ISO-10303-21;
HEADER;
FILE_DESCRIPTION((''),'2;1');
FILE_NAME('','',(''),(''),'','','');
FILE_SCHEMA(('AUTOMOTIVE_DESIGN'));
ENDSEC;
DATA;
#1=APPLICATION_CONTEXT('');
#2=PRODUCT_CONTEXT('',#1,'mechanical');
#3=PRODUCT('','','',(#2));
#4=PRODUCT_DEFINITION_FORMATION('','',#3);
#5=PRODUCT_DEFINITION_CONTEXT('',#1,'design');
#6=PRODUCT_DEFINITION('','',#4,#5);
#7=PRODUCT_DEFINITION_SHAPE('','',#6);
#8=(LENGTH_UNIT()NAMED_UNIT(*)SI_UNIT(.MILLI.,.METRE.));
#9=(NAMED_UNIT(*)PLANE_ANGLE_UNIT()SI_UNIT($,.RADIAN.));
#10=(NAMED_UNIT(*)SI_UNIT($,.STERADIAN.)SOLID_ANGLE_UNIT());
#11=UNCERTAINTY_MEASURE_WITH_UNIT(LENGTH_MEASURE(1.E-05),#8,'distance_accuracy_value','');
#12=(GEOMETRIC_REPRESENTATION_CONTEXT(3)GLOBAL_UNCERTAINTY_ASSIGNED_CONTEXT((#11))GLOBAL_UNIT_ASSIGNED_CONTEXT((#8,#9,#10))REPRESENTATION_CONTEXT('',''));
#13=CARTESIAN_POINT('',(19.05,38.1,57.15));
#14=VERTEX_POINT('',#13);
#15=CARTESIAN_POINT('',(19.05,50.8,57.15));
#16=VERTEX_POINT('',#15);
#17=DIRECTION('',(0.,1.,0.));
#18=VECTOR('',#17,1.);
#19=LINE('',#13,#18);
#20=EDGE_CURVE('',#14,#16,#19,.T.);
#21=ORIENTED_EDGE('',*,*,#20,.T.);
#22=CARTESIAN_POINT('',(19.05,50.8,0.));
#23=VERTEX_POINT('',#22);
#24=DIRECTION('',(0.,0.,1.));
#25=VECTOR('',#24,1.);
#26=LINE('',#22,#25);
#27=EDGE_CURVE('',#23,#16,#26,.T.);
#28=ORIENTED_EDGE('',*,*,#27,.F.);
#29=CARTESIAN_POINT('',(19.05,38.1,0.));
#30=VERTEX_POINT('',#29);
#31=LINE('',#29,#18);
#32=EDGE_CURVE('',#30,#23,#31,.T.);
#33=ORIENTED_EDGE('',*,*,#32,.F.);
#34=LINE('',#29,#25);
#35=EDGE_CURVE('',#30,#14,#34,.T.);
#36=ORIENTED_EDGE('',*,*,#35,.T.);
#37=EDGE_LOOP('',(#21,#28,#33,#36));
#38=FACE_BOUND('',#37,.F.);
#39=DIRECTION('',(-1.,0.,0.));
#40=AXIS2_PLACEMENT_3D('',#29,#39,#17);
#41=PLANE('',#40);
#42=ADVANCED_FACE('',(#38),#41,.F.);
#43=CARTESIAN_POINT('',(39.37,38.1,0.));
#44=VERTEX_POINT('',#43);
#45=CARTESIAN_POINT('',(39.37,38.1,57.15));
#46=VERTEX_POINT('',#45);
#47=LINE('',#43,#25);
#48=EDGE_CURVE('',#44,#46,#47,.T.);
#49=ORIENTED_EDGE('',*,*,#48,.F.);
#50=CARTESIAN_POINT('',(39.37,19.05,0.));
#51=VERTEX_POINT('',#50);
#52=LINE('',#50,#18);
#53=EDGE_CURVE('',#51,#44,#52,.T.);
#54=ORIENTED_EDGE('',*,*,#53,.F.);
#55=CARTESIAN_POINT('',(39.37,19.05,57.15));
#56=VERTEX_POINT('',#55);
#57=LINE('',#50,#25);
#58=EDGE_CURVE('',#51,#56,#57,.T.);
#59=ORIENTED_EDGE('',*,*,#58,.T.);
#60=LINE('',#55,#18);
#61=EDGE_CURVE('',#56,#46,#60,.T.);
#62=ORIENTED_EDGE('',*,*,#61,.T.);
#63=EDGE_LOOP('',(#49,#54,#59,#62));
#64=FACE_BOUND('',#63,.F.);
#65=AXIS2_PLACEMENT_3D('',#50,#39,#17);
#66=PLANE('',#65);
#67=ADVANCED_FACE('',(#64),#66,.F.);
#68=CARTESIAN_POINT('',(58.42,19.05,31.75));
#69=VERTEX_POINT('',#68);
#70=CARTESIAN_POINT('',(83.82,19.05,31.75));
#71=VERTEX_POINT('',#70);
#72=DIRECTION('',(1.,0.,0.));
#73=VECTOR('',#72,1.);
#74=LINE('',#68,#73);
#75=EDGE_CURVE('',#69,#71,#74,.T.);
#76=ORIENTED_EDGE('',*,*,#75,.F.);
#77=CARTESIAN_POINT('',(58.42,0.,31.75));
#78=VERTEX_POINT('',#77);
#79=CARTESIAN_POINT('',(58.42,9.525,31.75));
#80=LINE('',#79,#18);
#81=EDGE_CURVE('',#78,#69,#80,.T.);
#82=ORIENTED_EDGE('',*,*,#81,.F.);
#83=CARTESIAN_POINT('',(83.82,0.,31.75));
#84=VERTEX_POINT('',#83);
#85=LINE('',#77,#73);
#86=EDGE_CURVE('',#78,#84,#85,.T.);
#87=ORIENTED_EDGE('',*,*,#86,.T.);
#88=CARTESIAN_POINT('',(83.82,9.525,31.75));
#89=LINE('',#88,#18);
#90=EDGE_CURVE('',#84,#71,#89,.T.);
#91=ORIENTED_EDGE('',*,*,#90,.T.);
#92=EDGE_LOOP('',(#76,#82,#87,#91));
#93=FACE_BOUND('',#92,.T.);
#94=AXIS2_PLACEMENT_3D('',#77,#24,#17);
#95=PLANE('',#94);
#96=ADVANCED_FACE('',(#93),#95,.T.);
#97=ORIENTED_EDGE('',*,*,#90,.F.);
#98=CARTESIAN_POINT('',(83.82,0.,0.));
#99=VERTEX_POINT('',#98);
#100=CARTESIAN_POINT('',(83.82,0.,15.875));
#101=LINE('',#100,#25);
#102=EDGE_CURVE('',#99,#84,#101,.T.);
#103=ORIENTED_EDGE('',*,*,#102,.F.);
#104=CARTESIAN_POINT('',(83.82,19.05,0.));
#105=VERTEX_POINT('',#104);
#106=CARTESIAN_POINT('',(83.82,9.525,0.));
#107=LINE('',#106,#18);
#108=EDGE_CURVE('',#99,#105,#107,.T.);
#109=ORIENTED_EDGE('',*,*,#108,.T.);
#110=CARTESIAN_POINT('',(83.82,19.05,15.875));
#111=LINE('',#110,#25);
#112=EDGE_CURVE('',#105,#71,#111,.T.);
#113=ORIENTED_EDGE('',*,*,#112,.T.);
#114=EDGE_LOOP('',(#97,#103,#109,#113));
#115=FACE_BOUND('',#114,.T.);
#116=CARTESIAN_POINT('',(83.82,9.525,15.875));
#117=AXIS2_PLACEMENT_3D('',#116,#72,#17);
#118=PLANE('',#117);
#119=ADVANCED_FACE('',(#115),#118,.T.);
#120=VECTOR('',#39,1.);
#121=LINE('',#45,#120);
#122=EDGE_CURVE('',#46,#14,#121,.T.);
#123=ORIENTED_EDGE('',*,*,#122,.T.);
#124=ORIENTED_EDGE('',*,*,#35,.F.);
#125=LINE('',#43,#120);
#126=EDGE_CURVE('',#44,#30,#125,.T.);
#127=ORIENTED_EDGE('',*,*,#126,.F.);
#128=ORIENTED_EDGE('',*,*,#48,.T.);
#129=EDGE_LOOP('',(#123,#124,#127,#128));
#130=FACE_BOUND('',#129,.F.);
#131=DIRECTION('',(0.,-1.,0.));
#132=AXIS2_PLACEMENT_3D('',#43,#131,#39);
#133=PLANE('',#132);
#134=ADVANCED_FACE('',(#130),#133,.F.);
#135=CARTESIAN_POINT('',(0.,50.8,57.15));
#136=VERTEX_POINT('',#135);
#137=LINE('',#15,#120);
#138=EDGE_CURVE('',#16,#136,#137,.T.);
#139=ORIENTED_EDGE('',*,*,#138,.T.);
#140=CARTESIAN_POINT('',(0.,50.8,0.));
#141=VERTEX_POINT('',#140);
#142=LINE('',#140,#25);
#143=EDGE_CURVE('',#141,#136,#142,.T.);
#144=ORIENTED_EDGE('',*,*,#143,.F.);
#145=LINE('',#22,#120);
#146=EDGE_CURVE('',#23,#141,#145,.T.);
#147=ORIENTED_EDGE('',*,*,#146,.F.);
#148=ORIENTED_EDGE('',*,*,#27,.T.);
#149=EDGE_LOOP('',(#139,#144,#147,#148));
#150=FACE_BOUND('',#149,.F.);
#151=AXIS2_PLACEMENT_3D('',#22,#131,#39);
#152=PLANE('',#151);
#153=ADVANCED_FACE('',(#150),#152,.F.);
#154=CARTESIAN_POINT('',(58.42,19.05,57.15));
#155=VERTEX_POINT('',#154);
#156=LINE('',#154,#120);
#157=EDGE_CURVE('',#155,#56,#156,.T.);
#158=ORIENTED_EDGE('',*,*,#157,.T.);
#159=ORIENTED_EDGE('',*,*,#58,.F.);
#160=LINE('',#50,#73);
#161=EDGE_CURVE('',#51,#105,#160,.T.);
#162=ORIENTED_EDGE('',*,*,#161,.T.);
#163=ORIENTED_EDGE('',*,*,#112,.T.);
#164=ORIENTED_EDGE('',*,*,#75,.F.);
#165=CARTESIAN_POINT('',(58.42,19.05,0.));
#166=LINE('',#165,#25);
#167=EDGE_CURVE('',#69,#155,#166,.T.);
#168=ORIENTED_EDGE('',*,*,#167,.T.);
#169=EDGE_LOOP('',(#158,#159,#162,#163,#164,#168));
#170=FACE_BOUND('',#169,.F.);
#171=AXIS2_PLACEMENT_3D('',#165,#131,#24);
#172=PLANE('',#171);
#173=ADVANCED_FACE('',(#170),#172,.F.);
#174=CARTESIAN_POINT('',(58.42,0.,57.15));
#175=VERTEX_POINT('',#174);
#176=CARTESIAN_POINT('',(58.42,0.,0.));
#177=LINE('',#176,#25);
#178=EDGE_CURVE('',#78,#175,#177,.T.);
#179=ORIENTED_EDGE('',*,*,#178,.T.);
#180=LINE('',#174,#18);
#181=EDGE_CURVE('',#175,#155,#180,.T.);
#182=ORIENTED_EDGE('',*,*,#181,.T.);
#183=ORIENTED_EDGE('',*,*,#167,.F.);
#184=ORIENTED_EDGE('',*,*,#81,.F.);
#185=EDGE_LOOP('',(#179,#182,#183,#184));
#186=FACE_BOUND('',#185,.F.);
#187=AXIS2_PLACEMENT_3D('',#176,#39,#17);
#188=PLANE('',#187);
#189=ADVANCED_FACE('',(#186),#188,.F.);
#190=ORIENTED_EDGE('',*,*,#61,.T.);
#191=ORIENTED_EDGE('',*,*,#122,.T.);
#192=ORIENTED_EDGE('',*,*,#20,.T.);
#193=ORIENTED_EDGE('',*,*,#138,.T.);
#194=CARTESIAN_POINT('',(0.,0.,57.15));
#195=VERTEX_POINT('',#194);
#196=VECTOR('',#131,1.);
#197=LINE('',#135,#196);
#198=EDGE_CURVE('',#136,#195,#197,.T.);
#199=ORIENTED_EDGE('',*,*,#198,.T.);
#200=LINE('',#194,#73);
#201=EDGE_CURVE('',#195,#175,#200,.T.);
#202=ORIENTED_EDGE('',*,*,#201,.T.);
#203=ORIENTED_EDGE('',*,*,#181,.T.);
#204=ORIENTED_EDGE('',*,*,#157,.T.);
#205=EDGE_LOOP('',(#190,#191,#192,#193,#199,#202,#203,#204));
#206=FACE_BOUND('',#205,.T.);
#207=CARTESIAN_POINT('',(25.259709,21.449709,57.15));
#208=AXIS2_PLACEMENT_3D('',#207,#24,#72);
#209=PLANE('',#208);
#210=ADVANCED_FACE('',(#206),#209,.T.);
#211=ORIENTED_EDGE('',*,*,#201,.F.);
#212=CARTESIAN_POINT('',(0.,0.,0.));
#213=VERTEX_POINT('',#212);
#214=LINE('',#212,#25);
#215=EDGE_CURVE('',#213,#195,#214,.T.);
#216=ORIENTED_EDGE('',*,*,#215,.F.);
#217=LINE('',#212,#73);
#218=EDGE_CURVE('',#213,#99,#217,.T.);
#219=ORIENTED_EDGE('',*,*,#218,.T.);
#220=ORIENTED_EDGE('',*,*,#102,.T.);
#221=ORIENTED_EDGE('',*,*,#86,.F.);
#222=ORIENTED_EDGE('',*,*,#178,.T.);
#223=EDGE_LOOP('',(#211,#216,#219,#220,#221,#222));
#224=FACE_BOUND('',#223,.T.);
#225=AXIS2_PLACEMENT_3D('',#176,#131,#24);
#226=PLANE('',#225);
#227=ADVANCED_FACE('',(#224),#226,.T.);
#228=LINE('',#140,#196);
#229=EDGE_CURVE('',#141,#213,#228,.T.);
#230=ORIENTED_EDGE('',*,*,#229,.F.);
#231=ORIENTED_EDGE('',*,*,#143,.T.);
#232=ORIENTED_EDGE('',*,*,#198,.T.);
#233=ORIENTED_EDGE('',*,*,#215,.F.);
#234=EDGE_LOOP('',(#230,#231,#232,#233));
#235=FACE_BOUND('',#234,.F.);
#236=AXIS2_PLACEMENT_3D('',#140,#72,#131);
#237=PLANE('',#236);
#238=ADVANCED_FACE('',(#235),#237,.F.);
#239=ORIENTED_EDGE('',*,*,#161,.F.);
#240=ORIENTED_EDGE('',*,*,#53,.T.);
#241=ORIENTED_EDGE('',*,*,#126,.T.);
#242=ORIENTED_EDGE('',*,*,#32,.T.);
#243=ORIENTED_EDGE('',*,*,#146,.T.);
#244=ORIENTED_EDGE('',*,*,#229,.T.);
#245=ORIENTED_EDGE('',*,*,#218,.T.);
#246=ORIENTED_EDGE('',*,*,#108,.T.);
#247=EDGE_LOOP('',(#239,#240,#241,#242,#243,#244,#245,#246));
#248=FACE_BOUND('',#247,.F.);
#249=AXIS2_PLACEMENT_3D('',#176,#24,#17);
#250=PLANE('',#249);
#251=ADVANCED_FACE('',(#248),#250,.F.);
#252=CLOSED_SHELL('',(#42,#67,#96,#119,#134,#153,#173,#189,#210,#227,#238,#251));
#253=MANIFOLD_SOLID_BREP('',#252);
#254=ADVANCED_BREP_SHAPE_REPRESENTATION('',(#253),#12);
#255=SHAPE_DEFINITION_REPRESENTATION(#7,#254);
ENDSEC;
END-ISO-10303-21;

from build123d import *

# Parameters (mm, degrees)
F1_DEPTH = 57.15
F2_W     = 19.05
F2_H     = 31.75
F3_DEPTH = 25.4


with BuildPart() as f1:
    # F0 (on Top) → F1 (new body)
    with BuildSketch(Plane.XY):
        Polygon((0, 50.8), (0, 0), (58.42, 0), (58.42, 19.05), (39.37, 19.05), (39.37, 38.1), (19.05, 38.1), (19.05, 50.8), align=None)
    extrude(amount=F1_DEPTH)

    # F2 (on face) → F3 (join)
    with BuildSketch(Plane.YZ.offset(58.42)):
        with Locations((9.525, 15.875)):
            Rectangle(F2_W, F2_H)
    extrude(amount=F3_DEPTH)


solid = f1.part
